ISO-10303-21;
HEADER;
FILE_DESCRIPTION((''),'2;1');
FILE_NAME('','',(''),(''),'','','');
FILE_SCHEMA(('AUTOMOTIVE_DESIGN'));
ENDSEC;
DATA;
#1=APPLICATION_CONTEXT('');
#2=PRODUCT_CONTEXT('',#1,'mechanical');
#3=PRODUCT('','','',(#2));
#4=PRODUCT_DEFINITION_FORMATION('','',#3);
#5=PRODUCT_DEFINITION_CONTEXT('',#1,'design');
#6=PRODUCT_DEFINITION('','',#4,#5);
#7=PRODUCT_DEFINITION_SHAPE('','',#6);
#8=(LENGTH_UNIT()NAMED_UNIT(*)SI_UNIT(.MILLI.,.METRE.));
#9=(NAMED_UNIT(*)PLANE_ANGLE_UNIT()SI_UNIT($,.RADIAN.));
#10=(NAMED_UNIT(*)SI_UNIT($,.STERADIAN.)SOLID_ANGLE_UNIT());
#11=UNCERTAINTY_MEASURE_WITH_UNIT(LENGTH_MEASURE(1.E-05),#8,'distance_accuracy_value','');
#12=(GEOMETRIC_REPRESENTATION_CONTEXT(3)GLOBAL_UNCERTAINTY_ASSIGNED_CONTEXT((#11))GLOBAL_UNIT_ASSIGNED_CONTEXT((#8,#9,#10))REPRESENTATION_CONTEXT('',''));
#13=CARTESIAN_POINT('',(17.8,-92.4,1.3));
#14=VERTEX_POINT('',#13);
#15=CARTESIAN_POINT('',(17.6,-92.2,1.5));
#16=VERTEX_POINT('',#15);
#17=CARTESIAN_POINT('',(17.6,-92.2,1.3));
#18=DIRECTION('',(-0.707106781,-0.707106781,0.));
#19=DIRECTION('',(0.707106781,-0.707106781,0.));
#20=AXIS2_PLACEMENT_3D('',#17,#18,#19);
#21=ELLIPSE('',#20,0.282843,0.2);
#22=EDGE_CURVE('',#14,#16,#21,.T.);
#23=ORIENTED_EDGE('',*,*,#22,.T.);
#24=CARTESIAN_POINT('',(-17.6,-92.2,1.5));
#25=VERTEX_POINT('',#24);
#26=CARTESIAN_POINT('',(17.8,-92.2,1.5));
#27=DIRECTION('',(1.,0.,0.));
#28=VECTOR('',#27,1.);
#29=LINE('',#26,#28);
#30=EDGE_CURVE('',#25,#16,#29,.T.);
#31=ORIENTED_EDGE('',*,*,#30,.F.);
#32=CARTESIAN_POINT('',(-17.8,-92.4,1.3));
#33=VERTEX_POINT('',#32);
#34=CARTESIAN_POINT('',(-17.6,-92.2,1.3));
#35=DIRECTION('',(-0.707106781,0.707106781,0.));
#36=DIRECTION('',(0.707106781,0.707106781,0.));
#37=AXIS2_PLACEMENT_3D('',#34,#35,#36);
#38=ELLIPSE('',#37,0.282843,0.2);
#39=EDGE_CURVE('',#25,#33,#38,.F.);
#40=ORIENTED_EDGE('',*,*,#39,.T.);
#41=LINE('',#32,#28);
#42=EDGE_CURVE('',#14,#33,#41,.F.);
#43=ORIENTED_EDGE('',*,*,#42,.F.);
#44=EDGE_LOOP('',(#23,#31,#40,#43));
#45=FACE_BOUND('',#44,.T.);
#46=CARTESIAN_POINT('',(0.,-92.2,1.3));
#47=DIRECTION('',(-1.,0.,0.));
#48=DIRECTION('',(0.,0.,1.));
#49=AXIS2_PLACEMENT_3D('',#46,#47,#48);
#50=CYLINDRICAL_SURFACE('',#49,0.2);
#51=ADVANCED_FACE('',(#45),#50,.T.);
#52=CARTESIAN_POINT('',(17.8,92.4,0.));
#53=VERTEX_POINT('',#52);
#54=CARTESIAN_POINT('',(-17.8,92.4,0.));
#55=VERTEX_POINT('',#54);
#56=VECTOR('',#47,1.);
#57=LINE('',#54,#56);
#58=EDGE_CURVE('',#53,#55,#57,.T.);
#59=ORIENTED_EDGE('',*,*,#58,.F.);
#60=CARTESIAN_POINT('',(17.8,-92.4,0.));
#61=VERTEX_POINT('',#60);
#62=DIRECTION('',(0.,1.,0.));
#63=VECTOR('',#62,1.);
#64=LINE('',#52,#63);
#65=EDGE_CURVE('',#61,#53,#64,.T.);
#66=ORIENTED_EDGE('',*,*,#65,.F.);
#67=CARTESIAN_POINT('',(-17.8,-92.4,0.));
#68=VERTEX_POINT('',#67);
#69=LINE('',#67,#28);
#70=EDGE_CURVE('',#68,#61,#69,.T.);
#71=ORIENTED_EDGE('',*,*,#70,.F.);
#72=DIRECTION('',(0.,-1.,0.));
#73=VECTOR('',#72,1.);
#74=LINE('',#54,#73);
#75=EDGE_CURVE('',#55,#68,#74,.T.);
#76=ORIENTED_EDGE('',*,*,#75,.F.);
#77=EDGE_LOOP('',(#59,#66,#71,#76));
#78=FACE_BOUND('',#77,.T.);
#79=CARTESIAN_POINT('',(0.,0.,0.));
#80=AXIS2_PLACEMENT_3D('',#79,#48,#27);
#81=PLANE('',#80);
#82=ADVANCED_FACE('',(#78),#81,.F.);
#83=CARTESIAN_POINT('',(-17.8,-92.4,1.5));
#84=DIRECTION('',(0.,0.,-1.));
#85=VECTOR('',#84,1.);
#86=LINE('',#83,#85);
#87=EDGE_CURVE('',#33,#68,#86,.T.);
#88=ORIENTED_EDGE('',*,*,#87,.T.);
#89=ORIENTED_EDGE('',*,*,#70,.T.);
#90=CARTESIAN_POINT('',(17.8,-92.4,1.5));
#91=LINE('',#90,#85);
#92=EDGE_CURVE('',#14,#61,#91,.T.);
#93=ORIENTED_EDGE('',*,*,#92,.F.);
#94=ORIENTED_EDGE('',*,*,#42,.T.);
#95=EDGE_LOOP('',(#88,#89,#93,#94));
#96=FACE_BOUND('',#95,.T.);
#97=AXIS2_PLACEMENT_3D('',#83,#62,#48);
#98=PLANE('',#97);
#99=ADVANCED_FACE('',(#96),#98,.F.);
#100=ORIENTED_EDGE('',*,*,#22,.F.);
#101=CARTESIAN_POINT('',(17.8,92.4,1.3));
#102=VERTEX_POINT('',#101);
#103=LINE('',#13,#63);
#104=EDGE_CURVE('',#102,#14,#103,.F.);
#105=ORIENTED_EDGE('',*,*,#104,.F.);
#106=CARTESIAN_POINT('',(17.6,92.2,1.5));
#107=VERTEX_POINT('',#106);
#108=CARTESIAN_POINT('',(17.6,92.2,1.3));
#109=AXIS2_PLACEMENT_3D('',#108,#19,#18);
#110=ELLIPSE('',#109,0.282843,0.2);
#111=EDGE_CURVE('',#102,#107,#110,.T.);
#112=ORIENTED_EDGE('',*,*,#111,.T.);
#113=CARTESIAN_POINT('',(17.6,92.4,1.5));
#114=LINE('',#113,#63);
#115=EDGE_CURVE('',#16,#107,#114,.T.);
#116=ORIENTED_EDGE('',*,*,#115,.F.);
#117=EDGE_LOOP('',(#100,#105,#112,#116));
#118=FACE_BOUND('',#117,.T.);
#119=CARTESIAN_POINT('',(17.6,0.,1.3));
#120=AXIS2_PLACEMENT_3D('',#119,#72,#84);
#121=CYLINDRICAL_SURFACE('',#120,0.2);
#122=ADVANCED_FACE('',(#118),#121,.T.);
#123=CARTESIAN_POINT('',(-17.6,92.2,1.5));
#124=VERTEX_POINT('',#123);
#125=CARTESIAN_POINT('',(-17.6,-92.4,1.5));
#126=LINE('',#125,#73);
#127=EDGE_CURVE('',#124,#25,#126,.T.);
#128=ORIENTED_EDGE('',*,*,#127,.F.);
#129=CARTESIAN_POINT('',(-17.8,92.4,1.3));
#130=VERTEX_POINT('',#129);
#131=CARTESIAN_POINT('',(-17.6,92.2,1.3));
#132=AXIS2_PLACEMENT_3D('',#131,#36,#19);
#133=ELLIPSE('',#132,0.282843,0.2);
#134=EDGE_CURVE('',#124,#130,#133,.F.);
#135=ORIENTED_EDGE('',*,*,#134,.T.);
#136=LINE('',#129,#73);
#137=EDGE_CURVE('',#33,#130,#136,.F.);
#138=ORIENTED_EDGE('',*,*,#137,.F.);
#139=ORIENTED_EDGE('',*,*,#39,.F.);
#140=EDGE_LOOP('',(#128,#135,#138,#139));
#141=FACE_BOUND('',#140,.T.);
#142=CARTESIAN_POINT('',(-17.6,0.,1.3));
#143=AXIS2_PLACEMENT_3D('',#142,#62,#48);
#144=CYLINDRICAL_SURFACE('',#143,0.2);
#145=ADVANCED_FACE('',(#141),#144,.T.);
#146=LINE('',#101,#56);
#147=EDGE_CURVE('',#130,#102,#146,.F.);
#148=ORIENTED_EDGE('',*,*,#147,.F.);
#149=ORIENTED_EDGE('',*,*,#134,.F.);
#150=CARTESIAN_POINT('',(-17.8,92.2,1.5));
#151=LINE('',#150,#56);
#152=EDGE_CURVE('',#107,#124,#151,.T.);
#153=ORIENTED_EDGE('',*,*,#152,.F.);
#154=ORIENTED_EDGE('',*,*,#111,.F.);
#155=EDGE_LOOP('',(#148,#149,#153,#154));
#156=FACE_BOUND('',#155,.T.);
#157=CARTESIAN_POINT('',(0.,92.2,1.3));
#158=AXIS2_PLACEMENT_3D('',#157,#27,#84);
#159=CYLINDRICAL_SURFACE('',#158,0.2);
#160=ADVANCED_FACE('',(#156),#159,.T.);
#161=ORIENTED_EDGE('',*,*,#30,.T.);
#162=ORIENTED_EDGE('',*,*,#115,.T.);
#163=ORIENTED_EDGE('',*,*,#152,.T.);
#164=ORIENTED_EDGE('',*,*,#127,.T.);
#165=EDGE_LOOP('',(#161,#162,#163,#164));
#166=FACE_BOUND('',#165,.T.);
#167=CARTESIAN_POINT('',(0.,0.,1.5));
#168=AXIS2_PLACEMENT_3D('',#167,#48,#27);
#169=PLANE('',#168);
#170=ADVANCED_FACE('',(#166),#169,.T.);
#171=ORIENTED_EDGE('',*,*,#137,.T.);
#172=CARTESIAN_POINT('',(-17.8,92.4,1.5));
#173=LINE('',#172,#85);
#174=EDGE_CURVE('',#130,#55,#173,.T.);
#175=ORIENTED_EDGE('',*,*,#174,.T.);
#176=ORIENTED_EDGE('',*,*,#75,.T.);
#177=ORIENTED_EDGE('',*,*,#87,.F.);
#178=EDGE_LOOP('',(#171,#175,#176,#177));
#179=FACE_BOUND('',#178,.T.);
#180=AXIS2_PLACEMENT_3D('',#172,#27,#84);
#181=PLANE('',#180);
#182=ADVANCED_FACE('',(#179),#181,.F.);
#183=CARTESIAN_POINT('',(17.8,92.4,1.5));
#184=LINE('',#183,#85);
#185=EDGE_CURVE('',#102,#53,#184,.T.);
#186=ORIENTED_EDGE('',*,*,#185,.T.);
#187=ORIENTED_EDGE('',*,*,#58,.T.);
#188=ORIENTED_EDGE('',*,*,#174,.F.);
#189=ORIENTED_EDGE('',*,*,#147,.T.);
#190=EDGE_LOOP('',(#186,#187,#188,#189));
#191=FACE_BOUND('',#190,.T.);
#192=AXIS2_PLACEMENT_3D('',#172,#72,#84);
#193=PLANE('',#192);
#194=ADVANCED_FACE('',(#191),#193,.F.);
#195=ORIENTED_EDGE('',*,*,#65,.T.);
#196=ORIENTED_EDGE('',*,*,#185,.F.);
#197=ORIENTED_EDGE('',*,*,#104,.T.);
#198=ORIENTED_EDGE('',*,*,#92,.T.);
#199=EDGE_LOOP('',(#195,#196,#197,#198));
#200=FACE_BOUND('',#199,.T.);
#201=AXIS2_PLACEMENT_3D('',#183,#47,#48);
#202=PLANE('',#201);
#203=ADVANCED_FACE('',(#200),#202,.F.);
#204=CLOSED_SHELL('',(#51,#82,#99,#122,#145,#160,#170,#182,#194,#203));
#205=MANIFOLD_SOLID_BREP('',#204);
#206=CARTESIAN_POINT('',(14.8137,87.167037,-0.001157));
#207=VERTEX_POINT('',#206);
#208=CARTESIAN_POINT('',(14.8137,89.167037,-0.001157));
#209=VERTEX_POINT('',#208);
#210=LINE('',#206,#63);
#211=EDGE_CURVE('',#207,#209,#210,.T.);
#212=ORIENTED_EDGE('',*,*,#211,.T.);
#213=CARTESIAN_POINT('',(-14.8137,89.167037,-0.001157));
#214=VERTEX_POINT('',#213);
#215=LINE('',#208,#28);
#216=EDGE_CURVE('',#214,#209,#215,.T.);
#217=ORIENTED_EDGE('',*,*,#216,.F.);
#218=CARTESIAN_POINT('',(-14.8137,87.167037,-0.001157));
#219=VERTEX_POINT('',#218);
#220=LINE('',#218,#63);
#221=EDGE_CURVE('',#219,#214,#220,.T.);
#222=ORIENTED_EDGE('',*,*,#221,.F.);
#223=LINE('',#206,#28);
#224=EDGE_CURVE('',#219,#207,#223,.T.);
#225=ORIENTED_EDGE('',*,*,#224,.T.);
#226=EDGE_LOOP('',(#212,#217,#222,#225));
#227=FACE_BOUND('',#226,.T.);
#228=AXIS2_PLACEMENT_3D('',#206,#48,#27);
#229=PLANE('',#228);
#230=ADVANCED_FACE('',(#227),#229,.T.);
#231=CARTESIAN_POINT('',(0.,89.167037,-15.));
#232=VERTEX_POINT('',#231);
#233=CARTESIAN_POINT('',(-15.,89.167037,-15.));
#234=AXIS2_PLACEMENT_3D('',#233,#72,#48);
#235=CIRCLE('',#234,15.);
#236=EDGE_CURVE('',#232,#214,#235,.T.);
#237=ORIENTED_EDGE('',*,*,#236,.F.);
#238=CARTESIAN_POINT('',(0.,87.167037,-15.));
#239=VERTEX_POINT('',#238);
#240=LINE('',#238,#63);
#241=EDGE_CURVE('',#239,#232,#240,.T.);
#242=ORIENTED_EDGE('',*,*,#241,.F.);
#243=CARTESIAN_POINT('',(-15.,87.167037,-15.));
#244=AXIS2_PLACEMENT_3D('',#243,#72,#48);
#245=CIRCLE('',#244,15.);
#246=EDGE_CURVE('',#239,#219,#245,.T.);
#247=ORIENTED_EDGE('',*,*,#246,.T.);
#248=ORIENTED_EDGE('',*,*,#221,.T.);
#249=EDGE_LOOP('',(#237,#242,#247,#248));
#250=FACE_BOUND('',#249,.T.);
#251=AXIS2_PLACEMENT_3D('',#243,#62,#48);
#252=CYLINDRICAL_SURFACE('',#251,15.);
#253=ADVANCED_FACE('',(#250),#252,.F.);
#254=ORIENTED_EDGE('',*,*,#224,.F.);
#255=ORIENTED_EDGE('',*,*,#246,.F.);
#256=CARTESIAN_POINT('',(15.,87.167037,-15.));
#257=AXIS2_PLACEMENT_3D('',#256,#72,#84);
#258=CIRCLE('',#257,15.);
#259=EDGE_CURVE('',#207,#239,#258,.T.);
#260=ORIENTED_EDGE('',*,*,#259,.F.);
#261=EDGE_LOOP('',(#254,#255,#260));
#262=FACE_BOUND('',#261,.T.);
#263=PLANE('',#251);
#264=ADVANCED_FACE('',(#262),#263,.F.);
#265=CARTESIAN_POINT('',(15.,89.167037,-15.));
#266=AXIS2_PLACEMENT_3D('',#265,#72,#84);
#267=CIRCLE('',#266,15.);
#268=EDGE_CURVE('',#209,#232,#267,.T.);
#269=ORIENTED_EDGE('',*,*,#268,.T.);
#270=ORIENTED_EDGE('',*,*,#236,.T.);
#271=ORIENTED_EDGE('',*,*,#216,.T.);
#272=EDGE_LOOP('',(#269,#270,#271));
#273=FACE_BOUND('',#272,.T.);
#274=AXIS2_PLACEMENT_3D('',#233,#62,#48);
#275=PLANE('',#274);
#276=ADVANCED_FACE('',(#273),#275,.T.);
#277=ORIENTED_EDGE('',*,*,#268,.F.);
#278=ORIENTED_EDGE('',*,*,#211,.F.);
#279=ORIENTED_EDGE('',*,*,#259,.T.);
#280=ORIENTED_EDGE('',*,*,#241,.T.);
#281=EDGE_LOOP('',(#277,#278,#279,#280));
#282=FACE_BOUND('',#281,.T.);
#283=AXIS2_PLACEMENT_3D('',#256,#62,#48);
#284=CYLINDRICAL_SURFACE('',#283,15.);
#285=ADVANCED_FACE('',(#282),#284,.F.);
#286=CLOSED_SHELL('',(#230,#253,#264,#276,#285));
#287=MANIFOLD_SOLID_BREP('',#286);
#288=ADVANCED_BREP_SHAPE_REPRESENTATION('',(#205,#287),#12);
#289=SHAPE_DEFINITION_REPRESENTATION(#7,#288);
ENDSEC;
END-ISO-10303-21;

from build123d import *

# Parameters (mm, degrees)
SKETCH1_W           = 35.6
SKETCH1_H           = 184.8
BOSS_EXTRUDE1_DEPTH = 1.5
FILLET1_R           = 0.2
BOSS_EXTRUDE2_DEPTH = 2


with BuildPart() as part:
    # Sketch1 → Boss-Extrude1 (new body)
    with BuildSketch(Plane.XY):
        Rectangle(SKETCH1_W, SKETCH1_H)
    extrude(amount=BOSS_EXTRUDE1_DEPTH)

    # Fillet1
    fillet1_edges = [part.edges().sort_by_distance(p)[0] for p in [
        (-17.8, 0, 1.5),
        (0, -92.4, 1.5),
        (17.8, 0, 1.5),
        (0, 92.4, 1.5),
    ]]
    fillet(fillet1_edges, radius=FILLET1_R)


with BuildPart() as body_2:
    # Sketch2 → Boss-Extrude2 (new body)
    with BuildSketch(Plane(origin=(0, 89.167036502, 0), x_dir=(1, 0, 0), z_dir=(0, 1, 0))):
        with BuildLine():
            Line((14.81369991, 0.001156969), (-14.81369991, 0.001156969))
            ThreePointArc((-14.81369991, 0.001156969), (-4.327734511, 4.459471108), (0, 15))
            ThreePointArc((0, 15), (4.327734511, 4.459471108), (14.81369991, 0.001156969))
        make_face()
    extrude(amount=-BOSS_EXTRUDE2_DEPTH)


solid = Compound([part.part, body_2.part])
